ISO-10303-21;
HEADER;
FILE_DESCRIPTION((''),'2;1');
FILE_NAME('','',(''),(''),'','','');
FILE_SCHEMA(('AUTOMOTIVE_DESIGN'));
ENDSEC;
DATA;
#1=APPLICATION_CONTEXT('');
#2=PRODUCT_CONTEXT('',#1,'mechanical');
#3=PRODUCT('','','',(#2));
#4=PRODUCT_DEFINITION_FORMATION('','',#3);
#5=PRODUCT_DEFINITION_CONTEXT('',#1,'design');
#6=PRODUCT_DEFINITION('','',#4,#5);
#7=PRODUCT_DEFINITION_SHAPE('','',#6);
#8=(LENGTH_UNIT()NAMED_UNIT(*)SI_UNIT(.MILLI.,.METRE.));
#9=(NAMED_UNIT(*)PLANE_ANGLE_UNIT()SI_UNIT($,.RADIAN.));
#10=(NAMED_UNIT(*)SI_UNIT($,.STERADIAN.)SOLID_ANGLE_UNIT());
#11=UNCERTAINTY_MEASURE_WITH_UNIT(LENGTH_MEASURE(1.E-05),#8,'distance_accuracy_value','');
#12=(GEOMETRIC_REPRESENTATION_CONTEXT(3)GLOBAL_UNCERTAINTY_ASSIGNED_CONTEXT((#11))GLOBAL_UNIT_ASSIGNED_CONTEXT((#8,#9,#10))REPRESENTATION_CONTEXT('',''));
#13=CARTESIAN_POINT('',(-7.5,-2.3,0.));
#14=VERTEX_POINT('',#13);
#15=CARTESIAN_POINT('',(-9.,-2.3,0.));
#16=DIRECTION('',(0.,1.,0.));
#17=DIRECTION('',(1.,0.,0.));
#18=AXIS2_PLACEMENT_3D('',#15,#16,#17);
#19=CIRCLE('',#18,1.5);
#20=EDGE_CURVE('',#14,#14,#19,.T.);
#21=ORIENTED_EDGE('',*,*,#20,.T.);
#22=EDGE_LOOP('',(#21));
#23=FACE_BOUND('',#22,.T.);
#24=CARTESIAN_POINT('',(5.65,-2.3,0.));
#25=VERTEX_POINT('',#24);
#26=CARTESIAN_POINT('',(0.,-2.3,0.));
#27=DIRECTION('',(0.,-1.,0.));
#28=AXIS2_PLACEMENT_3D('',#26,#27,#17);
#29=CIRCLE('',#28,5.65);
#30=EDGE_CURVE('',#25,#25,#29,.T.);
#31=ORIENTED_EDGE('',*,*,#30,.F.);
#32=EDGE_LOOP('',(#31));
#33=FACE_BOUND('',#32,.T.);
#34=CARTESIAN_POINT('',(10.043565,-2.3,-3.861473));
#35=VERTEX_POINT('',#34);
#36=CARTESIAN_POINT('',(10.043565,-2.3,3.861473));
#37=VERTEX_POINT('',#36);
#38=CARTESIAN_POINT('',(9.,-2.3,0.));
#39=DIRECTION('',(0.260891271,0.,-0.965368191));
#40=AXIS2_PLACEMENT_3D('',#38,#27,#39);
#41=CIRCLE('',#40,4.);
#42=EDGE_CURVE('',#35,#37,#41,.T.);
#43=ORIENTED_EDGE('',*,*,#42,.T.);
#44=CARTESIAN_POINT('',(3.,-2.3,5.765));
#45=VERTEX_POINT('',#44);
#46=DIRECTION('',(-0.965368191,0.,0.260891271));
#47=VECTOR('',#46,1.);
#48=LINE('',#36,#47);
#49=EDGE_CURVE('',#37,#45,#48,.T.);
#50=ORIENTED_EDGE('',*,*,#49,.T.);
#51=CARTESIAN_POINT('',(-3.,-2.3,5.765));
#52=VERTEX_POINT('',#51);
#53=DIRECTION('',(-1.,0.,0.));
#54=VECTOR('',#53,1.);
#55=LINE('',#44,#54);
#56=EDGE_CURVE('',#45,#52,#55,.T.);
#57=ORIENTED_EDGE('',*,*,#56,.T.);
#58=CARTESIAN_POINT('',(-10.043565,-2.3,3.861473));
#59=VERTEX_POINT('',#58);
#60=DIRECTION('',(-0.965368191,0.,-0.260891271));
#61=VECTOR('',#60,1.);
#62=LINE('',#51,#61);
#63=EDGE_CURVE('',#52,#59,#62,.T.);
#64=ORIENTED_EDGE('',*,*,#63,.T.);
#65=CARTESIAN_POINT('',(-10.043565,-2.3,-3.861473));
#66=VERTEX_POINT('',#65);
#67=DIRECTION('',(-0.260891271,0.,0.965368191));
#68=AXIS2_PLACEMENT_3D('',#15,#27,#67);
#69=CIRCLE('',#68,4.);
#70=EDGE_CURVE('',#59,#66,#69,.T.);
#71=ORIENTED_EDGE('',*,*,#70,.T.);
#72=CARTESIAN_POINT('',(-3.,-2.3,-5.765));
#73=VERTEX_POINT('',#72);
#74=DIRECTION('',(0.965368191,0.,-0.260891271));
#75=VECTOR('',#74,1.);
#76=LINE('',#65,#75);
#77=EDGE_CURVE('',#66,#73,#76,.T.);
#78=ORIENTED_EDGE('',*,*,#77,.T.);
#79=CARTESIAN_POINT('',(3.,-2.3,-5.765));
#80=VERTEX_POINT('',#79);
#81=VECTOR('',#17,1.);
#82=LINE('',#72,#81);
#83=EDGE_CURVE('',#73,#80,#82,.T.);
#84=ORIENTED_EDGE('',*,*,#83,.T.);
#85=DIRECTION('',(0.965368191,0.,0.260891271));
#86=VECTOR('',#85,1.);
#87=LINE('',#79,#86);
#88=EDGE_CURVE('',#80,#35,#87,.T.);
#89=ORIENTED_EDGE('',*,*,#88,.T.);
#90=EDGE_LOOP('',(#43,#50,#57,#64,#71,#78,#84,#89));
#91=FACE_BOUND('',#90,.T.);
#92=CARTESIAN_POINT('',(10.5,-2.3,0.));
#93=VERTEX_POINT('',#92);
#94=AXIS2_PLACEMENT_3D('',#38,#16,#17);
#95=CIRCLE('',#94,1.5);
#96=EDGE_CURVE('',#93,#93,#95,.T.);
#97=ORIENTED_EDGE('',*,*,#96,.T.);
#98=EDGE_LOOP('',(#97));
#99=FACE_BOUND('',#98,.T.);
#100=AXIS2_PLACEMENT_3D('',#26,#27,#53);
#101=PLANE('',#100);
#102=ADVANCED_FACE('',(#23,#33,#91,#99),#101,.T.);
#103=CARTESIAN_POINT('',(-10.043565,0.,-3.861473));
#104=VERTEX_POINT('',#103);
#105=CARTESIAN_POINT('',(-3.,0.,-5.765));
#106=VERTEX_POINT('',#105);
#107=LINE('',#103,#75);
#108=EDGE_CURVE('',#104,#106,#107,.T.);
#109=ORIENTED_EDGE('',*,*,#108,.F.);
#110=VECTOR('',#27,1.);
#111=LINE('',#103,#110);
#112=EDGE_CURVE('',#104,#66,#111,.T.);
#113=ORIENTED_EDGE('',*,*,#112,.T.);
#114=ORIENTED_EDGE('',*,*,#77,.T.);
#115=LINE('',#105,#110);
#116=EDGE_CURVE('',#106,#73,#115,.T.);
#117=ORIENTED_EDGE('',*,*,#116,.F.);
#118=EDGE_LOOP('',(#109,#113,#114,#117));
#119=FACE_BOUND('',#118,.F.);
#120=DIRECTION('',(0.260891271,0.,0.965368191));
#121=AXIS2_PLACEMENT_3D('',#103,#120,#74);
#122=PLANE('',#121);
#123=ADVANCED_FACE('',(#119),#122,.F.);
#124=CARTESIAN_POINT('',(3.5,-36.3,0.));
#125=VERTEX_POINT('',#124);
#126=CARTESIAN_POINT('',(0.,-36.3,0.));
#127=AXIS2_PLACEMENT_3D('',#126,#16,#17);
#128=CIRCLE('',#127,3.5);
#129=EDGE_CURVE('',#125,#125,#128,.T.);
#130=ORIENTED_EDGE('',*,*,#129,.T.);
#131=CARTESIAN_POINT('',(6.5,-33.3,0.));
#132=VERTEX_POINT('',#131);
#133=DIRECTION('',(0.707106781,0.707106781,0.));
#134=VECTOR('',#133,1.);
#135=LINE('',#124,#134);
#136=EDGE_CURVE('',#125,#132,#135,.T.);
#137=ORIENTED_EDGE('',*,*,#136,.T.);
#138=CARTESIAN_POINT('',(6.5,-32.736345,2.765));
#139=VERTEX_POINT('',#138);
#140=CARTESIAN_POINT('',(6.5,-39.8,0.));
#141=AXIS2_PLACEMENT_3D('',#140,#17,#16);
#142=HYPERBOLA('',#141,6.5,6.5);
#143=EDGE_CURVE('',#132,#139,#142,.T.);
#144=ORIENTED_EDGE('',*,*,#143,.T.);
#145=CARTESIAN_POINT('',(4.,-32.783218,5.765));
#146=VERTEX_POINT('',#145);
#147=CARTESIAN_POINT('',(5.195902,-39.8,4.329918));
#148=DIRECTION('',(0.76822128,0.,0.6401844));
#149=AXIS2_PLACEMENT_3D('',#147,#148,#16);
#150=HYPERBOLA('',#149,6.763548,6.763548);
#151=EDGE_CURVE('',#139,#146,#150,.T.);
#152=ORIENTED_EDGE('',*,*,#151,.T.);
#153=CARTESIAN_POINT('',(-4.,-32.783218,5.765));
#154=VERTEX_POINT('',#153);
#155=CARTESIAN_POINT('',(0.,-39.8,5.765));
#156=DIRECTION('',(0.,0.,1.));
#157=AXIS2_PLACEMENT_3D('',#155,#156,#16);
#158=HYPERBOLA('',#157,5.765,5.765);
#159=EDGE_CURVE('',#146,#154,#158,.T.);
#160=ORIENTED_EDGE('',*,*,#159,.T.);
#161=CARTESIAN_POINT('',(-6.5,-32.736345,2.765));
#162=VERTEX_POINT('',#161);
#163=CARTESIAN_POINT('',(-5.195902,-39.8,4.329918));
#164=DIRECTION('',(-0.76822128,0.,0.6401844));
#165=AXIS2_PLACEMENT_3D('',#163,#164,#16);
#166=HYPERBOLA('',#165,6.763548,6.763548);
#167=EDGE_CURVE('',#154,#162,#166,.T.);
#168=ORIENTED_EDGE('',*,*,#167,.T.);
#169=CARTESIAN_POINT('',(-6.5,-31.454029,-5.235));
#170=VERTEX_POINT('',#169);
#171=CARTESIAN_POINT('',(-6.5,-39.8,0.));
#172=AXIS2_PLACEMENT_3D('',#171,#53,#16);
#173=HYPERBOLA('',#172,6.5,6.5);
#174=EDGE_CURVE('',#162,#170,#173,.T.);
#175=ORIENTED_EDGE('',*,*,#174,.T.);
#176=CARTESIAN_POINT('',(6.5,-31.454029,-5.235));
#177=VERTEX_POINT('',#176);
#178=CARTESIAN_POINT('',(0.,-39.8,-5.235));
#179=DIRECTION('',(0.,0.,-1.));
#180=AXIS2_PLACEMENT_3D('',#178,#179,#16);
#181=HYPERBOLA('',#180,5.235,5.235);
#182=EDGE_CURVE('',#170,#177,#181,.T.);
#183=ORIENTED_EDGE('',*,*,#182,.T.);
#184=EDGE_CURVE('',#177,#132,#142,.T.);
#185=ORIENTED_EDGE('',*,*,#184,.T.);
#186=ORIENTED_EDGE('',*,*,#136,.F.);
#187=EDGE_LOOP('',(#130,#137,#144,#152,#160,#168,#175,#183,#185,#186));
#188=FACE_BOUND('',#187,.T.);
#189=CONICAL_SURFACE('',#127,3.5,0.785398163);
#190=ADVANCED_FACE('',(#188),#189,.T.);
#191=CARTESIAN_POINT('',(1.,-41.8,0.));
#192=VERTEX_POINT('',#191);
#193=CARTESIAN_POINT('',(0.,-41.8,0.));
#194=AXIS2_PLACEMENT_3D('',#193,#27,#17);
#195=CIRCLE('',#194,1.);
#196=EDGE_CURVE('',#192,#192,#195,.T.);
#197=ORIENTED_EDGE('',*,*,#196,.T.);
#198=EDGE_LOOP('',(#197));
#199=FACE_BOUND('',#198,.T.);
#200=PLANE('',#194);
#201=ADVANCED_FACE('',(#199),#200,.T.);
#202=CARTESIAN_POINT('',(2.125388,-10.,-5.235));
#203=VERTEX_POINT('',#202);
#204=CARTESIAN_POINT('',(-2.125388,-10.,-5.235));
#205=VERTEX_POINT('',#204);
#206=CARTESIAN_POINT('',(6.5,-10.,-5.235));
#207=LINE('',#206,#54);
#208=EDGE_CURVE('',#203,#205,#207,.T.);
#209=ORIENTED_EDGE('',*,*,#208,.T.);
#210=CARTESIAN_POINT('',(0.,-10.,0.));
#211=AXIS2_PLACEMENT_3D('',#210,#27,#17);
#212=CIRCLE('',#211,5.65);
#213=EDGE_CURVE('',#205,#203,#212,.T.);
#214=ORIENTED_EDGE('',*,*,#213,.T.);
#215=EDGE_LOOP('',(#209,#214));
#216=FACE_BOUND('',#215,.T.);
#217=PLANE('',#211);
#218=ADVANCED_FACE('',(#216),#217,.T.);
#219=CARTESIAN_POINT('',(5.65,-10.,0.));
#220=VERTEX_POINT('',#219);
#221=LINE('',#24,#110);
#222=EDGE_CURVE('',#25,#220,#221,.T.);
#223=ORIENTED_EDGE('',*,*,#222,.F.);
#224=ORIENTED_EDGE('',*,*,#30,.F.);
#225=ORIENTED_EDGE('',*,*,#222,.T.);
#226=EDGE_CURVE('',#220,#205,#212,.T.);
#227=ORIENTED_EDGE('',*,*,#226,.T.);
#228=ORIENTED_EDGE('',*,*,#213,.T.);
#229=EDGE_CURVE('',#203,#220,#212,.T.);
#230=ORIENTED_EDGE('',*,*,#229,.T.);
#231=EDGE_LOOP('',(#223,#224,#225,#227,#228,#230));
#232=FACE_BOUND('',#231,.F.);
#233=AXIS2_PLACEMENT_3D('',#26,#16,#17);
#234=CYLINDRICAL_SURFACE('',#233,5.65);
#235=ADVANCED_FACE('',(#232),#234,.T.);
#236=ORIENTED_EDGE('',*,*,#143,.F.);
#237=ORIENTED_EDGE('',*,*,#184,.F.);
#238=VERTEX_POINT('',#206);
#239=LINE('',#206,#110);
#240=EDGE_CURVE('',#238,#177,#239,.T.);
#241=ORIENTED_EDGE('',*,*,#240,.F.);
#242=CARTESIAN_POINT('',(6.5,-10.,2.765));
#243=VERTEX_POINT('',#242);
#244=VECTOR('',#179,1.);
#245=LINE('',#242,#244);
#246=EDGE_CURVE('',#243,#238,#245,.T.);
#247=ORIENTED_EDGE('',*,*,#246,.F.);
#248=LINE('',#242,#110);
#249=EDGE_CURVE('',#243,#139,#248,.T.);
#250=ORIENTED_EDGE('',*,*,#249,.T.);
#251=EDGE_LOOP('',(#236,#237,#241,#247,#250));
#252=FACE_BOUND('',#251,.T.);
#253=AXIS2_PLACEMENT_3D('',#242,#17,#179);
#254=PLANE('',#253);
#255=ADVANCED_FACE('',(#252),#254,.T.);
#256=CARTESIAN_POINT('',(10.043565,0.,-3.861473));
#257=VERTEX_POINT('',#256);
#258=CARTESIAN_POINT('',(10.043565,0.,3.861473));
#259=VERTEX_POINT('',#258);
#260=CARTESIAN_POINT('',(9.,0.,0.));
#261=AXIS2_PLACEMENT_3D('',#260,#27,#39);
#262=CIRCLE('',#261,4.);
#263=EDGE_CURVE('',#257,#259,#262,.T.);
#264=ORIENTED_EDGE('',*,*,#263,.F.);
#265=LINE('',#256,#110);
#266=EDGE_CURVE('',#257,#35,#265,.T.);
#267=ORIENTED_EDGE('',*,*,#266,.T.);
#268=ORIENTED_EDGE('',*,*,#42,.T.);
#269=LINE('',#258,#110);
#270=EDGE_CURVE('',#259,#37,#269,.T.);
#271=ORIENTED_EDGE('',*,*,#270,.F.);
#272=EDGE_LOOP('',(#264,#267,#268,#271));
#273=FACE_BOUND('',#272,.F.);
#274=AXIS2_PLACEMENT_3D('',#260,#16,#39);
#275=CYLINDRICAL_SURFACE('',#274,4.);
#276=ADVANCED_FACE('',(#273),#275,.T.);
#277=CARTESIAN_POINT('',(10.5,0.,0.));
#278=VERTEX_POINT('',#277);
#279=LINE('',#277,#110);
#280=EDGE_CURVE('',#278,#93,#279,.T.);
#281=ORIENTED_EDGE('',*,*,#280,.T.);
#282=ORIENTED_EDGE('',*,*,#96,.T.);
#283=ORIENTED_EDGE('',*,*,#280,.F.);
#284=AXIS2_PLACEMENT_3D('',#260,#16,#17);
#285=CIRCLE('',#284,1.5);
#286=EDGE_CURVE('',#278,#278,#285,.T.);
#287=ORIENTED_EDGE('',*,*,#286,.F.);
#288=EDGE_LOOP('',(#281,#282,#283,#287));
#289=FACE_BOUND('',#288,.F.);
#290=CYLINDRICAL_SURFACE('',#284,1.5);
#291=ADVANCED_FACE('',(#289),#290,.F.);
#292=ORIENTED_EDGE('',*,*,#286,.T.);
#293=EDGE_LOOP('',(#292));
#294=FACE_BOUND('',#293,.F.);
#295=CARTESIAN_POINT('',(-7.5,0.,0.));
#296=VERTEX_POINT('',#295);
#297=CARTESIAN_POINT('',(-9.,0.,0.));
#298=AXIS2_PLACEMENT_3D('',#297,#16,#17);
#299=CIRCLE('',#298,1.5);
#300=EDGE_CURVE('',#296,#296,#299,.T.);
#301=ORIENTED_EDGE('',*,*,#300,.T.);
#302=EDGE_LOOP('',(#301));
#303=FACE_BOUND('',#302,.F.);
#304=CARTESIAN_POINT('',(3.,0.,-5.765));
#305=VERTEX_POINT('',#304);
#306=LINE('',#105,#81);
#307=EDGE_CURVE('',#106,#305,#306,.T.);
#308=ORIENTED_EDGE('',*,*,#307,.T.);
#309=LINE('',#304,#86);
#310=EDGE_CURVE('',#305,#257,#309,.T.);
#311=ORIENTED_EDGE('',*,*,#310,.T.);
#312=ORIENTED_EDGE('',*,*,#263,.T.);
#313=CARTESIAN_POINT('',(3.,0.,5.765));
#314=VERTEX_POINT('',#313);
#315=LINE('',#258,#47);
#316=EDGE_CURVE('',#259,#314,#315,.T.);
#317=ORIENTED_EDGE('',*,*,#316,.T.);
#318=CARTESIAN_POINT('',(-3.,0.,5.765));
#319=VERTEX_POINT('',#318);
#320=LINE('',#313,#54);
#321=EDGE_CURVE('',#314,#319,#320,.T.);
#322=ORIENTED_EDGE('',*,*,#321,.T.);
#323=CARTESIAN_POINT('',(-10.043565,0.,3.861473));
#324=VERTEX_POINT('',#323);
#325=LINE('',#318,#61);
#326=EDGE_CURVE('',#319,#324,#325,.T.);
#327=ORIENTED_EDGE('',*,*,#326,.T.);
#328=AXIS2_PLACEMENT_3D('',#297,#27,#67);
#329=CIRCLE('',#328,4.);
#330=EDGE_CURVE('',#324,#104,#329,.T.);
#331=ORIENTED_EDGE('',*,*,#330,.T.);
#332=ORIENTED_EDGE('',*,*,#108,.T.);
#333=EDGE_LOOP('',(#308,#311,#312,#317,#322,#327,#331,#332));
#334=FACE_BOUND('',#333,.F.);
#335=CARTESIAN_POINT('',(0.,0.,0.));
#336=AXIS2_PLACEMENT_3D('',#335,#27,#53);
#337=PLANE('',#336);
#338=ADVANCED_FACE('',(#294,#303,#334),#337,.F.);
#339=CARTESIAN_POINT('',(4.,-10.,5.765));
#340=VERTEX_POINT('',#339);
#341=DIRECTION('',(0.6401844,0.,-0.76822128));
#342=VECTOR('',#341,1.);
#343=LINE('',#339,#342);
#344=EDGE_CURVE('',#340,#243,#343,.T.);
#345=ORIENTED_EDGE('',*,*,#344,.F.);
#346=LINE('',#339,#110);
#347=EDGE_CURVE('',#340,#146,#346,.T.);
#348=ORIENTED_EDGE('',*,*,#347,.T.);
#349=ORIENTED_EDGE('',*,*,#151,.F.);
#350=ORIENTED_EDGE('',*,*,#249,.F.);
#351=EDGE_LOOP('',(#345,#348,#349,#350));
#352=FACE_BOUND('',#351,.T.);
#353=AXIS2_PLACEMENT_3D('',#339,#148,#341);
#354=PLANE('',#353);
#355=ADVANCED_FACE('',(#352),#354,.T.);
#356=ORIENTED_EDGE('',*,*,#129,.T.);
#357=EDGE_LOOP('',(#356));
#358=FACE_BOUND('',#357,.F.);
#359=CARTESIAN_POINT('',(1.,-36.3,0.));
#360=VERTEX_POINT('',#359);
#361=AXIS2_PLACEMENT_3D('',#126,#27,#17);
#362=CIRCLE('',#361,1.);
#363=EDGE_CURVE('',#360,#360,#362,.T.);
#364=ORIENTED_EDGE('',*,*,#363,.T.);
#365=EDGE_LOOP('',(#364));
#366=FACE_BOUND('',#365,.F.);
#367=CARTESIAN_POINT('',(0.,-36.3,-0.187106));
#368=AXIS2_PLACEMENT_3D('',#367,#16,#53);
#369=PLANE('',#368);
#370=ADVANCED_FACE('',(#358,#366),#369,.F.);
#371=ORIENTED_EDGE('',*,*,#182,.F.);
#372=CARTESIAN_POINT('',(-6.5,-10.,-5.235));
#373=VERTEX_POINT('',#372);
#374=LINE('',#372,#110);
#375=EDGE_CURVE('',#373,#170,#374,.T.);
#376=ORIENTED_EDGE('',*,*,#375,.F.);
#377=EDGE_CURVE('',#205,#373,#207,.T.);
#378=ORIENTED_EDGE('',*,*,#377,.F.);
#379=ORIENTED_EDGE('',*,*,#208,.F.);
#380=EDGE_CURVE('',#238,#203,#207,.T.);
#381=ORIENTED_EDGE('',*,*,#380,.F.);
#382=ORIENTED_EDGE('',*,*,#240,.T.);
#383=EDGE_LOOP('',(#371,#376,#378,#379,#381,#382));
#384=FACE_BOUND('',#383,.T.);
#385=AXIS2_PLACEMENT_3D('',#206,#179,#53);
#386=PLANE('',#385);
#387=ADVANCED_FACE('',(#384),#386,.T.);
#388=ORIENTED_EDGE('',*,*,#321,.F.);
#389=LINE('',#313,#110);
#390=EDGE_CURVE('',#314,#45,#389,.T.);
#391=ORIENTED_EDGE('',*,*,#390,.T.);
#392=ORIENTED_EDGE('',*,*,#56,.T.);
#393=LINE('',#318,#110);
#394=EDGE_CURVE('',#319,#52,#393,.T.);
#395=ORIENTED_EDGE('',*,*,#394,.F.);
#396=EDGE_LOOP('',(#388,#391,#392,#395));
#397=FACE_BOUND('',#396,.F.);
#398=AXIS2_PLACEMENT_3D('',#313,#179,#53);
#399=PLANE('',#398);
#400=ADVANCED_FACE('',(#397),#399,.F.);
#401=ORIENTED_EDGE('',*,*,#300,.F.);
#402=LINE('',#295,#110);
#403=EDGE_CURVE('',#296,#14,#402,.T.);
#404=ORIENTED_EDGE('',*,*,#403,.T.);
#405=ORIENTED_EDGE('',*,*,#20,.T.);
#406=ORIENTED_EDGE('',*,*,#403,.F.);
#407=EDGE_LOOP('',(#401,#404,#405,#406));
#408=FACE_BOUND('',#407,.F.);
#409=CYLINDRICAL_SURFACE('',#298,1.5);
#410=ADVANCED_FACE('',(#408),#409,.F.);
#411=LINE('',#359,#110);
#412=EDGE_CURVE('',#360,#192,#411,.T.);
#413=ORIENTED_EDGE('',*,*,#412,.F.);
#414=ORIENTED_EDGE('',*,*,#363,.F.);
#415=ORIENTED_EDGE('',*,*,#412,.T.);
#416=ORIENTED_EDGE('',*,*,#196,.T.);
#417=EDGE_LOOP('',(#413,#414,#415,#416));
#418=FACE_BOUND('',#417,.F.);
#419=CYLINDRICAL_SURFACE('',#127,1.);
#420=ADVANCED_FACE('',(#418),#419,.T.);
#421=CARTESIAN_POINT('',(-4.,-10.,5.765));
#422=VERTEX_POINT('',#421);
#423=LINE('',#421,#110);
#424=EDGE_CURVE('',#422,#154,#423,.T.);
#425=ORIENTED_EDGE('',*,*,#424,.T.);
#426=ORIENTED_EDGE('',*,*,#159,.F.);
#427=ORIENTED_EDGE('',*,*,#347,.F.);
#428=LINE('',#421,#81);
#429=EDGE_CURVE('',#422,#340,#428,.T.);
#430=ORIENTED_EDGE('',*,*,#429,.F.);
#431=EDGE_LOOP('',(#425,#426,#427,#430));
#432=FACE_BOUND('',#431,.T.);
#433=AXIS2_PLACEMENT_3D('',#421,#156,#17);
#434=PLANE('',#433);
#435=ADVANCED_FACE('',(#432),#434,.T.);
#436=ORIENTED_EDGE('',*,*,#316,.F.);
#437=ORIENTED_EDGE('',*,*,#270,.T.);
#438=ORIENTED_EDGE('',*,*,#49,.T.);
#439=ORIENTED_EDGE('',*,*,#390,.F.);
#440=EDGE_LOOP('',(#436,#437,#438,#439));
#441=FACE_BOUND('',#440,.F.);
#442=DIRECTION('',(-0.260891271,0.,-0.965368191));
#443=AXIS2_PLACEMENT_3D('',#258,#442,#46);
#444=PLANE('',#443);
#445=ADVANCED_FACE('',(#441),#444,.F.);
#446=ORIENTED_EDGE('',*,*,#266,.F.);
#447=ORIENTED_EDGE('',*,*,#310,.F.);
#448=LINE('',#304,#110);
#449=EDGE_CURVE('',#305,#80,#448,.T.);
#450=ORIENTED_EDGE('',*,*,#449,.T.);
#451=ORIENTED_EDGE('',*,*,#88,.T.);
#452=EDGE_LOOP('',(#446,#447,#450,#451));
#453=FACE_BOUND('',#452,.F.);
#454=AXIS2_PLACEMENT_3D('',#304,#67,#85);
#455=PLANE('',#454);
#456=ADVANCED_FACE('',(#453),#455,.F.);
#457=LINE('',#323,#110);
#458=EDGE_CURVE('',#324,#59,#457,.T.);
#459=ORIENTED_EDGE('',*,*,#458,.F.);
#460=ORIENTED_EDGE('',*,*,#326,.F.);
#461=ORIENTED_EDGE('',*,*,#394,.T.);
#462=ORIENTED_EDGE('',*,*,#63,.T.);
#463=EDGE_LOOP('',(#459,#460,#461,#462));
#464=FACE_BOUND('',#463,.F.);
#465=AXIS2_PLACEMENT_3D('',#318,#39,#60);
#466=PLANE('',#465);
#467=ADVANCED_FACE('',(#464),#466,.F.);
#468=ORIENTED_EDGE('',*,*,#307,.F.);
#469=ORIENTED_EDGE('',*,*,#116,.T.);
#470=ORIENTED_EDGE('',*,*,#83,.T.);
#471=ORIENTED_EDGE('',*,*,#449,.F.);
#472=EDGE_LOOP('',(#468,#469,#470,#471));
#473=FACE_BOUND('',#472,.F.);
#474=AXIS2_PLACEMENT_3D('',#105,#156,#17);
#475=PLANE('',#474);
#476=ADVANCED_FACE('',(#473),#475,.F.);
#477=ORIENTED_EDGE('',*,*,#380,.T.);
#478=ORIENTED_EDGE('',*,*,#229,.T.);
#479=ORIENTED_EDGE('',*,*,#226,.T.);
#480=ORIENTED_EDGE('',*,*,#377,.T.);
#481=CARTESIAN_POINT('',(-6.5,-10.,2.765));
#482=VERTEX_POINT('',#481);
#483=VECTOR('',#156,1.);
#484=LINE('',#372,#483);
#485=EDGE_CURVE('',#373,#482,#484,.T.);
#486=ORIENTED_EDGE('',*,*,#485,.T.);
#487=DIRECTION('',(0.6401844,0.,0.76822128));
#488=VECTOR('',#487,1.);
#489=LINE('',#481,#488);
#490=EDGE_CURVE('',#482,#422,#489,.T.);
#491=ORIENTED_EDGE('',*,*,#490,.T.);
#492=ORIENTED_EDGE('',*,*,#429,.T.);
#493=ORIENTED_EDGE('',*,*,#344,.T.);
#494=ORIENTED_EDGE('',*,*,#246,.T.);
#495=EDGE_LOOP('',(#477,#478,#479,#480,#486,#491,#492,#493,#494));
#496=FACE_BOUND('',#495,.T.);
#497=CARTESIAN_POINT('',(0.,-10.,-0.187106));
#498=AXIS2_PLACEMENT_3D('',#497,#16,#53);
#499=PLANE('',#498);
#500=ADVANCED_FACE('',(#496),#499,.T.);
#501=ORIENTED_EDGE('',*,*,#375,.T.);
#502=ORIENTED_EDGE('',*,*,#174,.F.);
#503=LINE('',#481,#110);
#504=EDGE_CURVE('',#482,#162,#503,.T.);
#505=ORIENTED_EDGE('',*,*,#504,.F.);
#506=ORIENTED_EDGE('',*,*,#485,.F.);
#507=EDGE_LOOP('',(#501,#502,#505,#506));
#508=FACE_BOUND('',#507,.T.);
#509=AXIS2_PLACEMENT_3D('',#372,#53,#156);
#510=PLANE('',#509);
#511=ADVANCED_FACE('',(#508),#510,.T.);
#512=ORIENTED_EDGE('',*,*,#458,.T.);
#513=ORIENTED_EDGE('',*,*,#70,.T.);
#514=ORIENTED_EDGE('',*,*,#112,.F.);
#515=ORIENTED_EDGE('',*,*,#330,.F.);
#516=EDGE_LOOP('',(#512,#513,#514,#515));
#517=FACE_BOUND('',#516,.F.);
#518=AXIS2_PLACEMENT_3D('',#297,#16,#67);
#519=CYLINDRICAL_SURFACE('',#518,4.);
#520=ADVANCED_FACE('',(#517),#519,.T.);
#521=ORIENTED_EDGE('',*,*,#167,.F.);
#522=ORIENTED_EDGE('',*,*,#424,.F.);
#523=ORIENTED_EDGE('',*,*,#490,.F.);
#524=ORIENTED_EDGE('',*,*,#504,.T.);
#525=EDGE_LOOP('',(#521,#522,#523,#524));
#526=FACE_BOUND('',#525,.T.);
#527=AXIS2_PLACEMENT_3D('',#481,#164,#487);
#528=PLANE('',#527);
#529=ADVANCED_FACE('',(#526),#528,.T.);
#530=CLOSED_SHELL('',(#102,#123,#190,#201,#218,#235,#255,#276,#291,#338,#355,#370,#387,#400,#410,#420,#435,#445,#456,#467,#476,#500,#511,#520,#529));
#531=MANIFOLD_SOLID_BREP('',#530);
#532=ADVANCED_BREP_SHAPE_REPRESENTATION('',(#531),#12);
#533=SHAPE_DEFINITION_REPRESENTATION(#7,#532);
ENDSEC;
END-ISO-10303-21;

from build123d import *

# Parameters (mm, degrees)
SKETCH1_R           = 1.5
BOSS_EXTRUDE1_DEPTH = 2.3
SKETCH2_R           = 5.65
BOSS_EXTRUDE2_DEPTH = 7.7
BOSS_EXTRUDE3_DEPTH = 26.3
SKETCH5_R           = 1
BOSS_EXTRUDE4_DEPTH = 5.5


with BuildPart() as part:
    # Sketch1 → Boss-Extrude1 (new body)
    with BuildSketch(Plane(origin=(0, 0, 0), x_dir=(1, 0, 0), z_dir=(0, 1, 0))):
        with BuildLine():
            Line((-3, 5.765), (3, 5.765))
            Line((3, 5.765), (10.043565082, 3.861472766))
            ThreePointArc((10.043565082, 3.861472766), (13, 0), (10.043565082, -3.861472766))
            Line((10.043565082, -3.861472766), (3, -5.765))
            Line((3, -5.765), (-3, -5.765))
            Line((-3, -5.765), (-10.043565082, -3.861472766))
            ThreePointArc((-10.043565082, -3.861472766), (-13, 0), (-10.043565082, 3.861472766))
            Line((-10.043565082, 3.861472766), (-3, 5.765))
        make_face()
        with Locations((9, 0)):
            Circle(SKETCH1_R, mode=Mode.SUBTRACT)
        with Locations((-9, 0)):
            Circle(SKETCH1_R, mode=Mode.SUBTRACT)
    extrude(amount=-BOSS_EXTRUDE1_DEPTH)

    # Sketch2 → Boss-Extrude2 (add)
    with BuildSketch(Plane.XZ.offset(2.3)):
        Circle(SKETCH2_R)
    extrude(amount=BOSS_EXTRUDE2_DEPTH)

    # Sketch3 → Boss-Extrude3 (add)
    with BuildSketch(Plane.XZ.offset(10)):
        Polygon((-4, 5.765), (4, 5.765), (6.5, 2.765), (6.5, -5.235), (-6.5, -5.235), (-6.5, 2.765), align=None)
    extrude(amount=BOSS_EXTRUDE3_DEPTH)

    # Sketch4 → Cut-Revolve1 (revolve, cut)
    with BuildSketch(Plane.XY):
        Polygon((3.5, -36.3), (10, -29.8), (10, -36.3), align=None)
    revolve(axis=Axis((0, -36.3, 0), (0, 1, 0)), mode=Mode.SUBTRACT)

    # Sketch5 → Boss-Extrude4 (add)
    with BuildSketch(Plane.XZ.offset(36.3)):
        Circle(SKETCH5_R)
    extrude(amount=BOSS_EXTRUDE4_DEPTH)


solid = part.part
